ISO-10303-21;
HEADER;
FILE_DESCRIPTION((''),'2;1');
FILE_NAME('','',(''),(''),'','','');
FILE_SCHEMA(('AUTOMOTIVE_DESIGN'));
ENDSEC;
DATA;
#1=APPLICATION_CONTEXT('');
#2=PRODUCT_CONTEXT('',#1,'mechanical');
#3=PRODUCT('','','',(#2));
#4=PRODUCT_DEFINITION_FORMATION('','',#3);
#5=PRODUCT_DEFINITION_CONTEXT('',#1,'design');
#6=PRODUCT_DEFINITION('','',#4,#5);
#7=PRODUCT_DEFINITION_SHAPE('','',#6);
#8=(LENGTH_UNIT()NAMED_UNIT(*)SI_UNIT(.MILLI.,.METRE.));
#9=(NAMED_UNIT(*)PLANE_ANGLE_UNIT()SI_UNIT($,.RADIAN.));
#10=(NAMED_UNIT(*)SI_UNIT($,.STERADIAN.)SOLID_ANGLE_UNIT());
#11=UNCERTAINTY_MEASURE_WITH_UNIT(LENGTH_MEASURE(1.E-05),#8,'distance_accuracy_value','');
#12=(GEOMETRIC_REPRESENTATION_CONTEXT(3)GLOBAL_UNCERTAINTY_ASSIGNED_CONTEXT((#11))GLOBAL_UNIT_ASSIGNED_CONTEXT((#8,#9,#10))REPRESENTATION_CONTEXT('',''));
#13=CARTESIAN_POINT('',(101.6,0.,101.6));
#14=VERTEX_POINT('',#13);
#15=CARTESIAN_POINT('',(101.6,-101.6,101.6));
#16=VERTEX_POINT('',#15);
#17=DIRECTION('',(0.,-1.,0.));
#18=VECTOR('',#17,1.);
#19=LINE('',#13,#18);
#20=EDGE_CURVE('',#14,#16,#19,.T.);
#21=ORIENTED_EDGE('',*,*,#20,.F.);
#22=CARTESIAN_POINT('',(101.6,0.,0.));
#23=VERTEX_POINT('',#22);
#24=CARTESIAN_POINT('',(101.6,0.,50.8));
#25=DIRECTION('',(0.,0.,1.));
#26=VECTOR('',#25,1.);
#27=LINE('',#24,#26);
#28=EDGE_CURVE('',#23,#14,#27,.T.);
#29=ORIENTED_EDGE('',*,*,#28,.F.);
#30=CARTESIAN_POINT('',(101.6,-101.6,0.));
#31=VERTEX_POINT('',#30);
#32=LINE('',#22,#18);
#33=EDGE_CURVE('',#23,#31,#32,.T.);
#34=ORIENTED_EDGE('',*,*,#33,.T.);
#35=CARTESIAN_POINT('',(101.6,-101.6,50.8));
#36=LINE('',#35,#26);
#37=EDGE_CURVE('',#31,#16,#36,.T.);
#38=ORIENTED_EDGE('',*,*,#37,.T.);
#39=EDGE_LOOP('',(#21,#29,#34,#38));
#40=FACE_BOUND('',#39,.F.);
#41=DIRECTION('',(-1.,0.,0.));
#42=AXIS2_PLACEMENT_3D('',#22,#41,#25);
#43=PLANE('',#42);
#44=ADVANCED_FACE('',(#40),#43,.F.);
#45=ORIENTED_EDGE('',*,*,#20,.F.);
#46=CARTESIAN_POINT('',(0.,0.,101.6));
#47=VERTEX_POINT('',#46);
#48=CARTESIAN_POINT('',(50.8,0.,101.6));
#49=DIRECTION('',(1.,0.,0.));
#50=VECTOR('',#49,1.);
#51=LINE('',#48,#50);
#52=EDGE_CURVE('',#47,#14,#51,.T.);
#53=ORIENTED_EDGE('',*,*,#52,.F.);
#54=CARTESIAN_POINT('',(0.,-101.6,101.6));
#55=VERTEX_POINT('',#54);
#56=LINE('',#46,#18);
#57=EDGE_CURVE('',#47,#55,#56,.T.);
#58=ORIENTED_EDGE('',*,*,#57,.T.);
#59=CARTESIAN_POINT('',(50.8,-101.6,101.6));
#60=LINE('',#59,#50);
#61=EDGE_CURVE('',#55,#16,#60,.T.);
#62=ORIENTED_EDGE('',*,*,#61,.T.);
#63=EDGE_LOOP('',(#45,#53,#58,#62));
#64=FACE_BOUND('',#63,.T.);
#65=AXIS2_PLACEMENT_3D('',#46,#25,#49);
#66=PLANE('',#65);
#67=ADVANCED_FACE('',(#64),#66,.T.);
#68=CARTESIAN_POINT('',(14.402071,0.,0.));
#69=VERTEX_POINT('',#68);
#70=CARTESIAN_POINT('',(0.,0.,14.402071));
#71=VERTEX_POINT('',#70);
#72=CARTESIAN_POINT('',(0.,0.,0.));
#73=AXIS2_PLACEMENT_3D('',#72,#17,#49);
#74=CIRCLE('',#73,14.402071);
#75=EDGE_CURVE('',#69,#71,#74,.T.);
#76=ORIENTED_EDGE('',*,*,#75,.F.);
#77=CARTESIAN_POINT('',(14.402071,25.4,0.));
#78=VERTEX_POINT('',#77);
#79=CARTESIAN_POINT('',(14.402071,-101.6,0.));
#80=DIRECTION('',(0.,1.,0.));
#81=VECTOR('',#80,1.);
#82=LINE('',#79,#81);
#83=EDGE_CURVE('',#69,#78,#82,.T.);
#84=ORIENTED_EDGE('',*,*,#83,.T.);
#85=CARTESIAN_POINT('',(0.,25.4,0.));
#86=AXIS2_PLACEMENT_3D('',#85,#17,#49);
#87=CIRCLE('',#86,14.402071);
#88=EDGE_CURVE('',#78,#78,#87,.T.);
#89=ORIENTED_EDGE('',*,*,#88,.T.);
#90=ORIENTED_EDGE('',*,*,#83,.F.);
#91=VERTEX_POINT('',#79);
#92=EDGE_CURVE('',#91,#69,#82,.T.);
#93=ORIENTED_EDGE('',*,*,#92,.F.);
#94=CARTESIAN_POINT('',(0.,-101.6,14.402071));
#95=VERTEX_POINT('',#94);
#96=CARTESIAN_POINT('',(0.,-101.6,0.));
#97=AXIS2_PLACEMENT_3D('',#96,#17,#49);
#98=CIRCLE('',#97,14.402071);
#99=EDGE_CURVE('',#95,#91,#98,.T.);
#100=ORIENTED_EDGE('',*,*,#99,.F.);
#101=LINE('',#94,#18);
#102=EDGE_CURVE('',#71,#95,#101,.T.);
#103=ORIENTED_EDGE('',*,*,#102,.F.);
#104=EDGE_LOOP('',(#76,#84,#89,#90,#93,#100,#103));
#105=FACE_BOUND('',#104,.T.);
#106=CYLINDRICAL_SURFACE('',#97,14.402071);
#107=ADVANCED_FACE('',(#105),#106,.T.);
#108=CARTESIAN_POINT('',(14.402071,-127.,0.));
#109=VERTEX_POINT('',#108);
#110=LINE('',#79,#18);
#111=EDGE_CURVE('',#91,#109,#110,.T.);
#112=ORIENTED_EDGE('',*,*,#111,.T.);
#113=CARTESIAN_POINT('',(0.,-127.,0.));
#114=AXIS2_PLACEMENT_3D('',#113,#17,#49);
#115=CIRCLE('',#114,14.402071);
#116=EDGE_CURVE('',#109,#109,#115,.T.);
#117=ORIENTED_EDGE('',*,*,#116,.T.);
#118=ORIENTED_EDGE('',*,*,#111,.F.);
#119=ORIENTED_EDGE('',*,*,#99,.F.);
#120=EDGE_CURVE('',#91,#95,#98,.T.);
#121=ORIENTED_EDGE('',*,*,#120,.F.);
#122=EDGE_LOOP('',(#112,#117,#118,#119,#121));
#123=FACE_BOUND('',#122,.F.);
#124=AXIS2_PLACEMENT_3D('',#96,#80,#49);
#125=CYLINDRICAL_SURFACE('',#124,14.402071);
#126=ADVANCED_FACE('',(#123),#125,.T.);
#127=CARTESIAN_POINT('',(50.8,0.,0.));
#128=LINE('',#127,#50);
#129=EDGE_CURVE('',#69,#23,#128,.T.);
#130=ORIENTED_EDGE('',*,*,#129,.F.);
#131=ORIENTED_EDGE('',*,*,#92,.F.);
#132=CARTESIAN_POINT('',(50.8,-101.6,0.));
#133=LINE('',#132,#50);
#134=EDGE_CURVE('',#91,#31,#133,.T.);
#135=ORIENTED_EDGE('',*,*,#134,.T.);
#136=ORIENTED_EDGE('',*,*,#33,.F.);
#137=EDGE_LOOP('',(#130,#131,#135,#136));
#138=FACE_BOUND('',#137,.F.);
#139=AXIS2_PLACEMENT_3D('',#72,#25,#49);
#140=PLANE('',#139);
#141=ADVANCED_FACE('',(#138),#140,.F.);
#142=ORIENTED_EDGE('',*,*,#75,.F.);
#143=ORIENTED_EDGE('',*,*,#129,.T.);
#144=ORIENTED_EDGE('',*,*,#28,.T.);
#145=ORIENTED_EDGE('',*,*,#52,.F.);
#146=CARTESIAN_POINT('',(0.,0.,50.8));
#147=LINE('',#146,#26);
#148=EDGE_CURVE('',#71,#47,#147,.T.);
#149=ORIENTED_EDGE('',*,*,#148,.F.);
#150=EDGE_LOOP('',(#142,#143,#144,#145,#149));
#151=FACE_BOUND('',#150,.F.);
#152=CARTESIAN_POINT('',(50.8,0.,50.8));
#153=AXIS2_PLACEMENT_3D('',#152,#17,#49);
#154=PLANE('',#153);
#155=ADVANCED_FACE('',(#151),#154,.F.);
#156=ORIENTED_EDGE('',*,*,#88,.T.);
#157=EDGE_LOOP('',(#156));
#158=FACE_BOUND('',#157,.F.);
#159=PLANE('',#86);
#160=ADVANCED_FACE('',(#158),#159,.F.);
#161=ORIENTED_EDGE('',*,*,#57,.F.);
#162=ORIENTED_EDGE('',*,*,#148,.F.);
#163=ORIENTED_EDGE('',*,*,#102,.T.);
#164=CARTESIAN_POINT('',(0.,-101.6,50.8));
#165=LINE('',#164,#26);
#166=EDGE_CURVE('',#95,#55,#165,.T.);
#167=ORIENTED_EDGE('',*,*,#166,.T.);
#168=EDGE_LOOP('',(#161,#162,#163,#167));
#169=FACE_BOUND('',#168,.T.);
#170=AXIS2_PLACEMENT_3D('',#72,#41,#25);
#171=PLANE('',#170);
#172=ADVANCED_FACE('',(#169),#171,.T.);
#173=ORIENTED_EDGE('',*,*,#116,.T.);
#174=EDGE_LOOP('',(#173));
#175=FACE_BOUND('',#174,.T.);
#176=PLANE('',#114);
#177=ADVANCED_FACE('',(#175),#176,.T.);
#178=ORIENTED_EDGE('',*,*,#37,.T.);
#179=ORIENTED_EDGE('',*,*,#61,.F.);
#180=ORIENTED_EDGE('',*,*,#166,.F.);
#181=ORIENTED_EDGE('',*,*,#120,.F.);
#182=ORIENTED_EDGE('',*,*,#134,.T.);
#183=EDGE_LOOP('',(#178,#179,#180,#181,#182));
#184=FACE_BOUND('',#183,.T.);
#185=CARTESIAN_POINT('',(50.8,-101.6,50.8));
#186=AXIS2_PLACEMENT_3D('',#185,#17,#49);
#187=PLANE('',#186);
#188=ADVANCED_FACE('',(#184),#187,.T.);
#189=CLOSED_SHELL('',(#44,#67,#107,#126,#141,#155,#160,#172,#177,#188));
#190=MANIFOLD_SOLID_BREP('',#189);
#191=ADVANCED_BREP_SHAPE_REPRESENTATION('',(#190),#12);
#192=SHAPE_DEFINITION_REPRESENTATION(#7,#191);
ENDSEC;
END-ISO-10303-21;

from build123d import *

# Parameters (mm, degrees)
F0_W          = 101.6
F0_H          = 101.6
F1_DEPTH      = 101.6
F3_R          = 14.402071
F4_DEPTH      = 25.4
F4_DEPTH_BACK = 127


with BuildPart() as f1:
    # F0 (on Front) → F1 (new body)
    with BuildSketch(Plane.XZ):
        with Locations((50.8, 50.8)):
            Rectangle(F0_W, F0_H)
    extrude(amount=F1_DEPTH)

    # F3 (on offset) → F4 (join, two sides)
    with BuildSketch(Plane.XZ.offset(101.6)) as f4_sk:
        Circle(F3_R)
    extrude(amount=F4_DEPTH)
    extrude(f4_sk.sketch, amount=-F4_DEPTH_BACK)


solid = f1.part
